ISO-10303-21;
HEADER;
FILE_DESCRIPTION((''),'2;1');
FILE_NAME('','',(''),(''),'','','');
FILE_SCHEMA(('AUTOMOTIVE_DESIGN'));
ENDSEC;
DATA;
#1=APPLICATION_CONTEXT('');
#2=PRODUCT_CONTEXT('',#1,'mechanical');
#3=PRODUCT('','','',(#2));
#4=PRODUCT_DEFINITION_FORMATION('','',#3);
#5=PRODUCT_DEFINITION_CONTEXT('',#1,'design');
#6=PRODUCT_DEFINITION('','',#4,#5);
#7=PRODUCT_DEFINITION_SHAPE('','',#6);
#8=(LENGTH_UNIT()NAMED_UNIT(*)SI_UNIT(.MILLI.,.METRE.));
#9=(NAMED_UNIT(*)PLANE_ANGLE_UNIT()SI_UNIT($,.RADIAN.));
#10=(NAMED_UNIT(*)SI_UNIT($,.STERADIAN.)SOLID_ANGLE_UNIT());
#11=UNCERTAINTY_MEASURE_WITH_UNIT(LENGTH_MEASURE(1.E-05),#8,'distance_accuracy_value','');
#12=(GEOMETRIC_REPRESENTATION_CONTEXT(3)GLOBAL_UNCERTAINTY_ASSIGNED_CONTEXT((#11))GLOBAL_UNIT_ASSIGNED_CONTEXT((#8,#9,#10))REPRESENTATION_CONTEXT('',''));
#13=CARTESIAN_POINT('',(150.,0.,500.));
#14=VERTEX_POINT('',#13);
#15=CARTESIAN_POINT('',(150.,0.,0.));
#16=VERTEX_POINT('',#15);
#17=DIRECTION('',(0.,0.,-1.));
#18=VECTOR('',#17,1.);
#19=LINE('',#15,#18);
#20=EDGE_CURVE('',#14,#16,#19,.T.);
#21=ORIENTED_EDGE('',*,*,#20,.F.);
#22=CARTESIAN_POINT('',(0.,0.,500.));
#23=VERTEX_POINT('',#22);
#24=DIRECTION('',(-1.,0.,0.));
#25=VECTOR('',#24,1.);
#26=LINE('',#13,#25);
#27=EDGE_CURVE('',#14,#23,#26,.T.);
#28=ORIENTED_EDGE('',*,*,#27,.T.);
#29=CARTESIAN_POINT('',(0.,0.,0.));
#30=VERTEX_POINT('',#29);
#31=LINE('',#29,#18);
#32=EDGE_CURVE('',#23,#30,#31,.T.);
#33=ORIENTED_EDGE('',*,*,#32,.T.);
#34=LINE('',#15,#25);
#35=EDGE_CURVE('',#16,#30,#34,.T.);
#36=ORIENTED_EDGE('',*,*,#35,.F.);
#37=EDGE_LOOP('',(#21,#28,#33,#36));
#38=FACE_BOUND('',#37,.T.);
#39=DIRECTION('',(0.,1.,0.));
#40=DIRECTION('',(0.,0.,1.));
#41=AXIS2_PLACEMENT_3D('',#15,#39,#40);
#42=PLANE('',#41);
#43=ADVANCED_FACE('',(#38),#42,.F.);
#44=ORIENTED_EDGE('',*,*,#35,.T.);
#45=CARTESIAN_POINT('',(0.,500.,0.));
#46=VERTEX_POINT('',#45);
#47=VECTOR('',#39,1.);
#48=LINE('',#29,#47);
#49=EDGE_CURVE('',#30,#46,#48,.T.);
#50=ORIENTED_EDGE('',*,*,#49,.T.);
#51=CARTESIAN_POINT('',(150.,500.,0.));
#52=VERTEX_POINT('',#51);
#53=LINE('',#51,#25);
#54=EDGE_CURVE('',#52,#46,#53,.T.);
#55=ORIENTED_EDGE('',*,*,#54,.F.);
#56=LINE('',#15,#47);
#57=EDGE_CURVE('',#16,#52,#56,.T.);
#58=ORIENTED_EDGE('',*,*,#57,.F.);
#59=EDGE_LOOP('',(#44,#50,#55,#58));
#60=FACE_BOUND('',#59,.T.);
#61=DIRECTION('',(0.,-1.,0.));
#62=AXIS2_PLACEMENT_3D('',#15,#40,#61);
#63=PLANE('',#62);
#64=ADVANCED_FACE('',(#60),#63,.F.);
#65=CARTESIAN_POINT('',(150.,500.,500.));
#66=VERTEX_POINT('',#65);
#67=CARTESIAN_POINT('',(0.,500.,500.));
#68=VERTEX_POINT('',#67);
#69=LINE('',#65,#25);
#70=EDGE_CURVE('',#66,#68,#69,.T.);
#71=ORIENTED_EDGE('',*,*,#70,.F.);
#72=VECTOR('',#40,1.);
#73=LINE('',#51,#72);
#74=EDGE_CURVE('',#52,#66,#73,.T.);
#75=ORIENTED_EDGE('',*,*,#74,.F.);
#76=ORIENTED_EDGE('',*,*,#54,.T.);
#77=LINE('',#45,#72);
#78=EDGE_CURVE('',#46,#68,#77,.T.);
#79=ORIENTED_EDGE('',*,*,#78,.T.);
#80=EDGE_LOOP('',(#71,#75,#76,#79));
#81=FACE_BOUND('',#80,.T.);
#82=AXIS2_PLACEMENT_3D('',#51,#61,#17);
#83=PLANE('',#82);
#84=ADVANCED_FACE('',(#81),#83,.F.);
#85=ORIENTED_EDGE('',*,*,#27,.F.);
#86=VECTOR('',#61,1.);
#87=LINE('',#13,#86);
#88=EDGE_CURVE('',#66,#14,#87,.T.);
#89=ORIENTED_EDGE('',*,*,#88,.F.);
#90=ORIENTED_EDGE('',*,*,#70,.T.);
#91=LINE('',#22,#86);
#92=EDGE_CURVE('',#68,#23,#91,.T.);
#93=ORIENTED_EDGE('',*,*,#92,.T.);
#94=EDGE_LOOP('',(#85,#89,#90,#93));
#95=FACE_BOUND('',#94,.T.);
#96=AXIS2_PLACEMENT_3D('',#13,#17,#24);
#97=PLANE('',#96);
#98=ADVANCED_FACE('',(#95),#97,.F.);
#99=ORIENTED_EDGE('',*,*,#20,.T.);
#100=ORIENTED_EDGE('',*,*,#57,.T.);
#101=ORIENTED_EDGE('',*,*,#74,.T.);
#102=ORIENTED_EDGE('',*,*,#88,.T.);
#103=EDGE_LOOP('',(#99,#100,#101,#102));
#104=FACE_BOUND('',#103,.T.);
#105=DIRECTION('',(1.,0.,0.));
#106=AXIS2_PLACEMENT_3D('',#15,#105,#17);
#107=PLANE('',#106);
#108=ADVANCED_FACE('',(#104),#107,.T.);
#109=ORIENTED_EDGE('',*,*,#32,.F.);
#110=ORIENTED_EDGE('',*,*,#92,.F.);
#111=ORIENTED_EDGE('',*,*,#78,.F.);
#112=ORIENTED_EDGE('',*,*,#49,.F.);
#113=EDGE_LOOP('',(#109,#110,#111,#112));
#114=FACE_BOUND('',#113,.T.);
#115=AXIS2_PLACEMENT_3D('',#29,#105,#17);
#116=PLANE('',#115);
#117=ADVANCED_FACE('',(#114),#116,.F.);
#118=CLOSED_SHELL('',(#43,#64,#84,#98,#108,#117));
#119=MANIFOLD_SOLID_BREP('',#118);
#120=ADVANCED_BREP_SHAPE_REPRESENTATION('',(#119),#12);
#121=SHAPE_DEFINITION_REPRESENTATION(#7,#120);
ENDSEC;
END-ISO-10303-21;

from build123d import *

# Parameters (mm, degrees)
ESBO_O1_W                = 500
ESBO_O1_H                = 500
RESSALTO_EXTRUS_O1_DEPTH = 150


with BuildPart() as part:
    # Esboço1 → Ressalto-extrusão1 (new body)
    with BuildSketch(Plane(origin=(0, 0, 0), x_dir=(0, 0, -1), z_dir=(1, 0, 0))):
        with Locations((-250, 250)):
            Rectangle(ESBO_O1_W, ESBO_O1_H)
    extrude(amount=RESSALTO_EXTRUS_O1_DEPTH)


solid = part.part
